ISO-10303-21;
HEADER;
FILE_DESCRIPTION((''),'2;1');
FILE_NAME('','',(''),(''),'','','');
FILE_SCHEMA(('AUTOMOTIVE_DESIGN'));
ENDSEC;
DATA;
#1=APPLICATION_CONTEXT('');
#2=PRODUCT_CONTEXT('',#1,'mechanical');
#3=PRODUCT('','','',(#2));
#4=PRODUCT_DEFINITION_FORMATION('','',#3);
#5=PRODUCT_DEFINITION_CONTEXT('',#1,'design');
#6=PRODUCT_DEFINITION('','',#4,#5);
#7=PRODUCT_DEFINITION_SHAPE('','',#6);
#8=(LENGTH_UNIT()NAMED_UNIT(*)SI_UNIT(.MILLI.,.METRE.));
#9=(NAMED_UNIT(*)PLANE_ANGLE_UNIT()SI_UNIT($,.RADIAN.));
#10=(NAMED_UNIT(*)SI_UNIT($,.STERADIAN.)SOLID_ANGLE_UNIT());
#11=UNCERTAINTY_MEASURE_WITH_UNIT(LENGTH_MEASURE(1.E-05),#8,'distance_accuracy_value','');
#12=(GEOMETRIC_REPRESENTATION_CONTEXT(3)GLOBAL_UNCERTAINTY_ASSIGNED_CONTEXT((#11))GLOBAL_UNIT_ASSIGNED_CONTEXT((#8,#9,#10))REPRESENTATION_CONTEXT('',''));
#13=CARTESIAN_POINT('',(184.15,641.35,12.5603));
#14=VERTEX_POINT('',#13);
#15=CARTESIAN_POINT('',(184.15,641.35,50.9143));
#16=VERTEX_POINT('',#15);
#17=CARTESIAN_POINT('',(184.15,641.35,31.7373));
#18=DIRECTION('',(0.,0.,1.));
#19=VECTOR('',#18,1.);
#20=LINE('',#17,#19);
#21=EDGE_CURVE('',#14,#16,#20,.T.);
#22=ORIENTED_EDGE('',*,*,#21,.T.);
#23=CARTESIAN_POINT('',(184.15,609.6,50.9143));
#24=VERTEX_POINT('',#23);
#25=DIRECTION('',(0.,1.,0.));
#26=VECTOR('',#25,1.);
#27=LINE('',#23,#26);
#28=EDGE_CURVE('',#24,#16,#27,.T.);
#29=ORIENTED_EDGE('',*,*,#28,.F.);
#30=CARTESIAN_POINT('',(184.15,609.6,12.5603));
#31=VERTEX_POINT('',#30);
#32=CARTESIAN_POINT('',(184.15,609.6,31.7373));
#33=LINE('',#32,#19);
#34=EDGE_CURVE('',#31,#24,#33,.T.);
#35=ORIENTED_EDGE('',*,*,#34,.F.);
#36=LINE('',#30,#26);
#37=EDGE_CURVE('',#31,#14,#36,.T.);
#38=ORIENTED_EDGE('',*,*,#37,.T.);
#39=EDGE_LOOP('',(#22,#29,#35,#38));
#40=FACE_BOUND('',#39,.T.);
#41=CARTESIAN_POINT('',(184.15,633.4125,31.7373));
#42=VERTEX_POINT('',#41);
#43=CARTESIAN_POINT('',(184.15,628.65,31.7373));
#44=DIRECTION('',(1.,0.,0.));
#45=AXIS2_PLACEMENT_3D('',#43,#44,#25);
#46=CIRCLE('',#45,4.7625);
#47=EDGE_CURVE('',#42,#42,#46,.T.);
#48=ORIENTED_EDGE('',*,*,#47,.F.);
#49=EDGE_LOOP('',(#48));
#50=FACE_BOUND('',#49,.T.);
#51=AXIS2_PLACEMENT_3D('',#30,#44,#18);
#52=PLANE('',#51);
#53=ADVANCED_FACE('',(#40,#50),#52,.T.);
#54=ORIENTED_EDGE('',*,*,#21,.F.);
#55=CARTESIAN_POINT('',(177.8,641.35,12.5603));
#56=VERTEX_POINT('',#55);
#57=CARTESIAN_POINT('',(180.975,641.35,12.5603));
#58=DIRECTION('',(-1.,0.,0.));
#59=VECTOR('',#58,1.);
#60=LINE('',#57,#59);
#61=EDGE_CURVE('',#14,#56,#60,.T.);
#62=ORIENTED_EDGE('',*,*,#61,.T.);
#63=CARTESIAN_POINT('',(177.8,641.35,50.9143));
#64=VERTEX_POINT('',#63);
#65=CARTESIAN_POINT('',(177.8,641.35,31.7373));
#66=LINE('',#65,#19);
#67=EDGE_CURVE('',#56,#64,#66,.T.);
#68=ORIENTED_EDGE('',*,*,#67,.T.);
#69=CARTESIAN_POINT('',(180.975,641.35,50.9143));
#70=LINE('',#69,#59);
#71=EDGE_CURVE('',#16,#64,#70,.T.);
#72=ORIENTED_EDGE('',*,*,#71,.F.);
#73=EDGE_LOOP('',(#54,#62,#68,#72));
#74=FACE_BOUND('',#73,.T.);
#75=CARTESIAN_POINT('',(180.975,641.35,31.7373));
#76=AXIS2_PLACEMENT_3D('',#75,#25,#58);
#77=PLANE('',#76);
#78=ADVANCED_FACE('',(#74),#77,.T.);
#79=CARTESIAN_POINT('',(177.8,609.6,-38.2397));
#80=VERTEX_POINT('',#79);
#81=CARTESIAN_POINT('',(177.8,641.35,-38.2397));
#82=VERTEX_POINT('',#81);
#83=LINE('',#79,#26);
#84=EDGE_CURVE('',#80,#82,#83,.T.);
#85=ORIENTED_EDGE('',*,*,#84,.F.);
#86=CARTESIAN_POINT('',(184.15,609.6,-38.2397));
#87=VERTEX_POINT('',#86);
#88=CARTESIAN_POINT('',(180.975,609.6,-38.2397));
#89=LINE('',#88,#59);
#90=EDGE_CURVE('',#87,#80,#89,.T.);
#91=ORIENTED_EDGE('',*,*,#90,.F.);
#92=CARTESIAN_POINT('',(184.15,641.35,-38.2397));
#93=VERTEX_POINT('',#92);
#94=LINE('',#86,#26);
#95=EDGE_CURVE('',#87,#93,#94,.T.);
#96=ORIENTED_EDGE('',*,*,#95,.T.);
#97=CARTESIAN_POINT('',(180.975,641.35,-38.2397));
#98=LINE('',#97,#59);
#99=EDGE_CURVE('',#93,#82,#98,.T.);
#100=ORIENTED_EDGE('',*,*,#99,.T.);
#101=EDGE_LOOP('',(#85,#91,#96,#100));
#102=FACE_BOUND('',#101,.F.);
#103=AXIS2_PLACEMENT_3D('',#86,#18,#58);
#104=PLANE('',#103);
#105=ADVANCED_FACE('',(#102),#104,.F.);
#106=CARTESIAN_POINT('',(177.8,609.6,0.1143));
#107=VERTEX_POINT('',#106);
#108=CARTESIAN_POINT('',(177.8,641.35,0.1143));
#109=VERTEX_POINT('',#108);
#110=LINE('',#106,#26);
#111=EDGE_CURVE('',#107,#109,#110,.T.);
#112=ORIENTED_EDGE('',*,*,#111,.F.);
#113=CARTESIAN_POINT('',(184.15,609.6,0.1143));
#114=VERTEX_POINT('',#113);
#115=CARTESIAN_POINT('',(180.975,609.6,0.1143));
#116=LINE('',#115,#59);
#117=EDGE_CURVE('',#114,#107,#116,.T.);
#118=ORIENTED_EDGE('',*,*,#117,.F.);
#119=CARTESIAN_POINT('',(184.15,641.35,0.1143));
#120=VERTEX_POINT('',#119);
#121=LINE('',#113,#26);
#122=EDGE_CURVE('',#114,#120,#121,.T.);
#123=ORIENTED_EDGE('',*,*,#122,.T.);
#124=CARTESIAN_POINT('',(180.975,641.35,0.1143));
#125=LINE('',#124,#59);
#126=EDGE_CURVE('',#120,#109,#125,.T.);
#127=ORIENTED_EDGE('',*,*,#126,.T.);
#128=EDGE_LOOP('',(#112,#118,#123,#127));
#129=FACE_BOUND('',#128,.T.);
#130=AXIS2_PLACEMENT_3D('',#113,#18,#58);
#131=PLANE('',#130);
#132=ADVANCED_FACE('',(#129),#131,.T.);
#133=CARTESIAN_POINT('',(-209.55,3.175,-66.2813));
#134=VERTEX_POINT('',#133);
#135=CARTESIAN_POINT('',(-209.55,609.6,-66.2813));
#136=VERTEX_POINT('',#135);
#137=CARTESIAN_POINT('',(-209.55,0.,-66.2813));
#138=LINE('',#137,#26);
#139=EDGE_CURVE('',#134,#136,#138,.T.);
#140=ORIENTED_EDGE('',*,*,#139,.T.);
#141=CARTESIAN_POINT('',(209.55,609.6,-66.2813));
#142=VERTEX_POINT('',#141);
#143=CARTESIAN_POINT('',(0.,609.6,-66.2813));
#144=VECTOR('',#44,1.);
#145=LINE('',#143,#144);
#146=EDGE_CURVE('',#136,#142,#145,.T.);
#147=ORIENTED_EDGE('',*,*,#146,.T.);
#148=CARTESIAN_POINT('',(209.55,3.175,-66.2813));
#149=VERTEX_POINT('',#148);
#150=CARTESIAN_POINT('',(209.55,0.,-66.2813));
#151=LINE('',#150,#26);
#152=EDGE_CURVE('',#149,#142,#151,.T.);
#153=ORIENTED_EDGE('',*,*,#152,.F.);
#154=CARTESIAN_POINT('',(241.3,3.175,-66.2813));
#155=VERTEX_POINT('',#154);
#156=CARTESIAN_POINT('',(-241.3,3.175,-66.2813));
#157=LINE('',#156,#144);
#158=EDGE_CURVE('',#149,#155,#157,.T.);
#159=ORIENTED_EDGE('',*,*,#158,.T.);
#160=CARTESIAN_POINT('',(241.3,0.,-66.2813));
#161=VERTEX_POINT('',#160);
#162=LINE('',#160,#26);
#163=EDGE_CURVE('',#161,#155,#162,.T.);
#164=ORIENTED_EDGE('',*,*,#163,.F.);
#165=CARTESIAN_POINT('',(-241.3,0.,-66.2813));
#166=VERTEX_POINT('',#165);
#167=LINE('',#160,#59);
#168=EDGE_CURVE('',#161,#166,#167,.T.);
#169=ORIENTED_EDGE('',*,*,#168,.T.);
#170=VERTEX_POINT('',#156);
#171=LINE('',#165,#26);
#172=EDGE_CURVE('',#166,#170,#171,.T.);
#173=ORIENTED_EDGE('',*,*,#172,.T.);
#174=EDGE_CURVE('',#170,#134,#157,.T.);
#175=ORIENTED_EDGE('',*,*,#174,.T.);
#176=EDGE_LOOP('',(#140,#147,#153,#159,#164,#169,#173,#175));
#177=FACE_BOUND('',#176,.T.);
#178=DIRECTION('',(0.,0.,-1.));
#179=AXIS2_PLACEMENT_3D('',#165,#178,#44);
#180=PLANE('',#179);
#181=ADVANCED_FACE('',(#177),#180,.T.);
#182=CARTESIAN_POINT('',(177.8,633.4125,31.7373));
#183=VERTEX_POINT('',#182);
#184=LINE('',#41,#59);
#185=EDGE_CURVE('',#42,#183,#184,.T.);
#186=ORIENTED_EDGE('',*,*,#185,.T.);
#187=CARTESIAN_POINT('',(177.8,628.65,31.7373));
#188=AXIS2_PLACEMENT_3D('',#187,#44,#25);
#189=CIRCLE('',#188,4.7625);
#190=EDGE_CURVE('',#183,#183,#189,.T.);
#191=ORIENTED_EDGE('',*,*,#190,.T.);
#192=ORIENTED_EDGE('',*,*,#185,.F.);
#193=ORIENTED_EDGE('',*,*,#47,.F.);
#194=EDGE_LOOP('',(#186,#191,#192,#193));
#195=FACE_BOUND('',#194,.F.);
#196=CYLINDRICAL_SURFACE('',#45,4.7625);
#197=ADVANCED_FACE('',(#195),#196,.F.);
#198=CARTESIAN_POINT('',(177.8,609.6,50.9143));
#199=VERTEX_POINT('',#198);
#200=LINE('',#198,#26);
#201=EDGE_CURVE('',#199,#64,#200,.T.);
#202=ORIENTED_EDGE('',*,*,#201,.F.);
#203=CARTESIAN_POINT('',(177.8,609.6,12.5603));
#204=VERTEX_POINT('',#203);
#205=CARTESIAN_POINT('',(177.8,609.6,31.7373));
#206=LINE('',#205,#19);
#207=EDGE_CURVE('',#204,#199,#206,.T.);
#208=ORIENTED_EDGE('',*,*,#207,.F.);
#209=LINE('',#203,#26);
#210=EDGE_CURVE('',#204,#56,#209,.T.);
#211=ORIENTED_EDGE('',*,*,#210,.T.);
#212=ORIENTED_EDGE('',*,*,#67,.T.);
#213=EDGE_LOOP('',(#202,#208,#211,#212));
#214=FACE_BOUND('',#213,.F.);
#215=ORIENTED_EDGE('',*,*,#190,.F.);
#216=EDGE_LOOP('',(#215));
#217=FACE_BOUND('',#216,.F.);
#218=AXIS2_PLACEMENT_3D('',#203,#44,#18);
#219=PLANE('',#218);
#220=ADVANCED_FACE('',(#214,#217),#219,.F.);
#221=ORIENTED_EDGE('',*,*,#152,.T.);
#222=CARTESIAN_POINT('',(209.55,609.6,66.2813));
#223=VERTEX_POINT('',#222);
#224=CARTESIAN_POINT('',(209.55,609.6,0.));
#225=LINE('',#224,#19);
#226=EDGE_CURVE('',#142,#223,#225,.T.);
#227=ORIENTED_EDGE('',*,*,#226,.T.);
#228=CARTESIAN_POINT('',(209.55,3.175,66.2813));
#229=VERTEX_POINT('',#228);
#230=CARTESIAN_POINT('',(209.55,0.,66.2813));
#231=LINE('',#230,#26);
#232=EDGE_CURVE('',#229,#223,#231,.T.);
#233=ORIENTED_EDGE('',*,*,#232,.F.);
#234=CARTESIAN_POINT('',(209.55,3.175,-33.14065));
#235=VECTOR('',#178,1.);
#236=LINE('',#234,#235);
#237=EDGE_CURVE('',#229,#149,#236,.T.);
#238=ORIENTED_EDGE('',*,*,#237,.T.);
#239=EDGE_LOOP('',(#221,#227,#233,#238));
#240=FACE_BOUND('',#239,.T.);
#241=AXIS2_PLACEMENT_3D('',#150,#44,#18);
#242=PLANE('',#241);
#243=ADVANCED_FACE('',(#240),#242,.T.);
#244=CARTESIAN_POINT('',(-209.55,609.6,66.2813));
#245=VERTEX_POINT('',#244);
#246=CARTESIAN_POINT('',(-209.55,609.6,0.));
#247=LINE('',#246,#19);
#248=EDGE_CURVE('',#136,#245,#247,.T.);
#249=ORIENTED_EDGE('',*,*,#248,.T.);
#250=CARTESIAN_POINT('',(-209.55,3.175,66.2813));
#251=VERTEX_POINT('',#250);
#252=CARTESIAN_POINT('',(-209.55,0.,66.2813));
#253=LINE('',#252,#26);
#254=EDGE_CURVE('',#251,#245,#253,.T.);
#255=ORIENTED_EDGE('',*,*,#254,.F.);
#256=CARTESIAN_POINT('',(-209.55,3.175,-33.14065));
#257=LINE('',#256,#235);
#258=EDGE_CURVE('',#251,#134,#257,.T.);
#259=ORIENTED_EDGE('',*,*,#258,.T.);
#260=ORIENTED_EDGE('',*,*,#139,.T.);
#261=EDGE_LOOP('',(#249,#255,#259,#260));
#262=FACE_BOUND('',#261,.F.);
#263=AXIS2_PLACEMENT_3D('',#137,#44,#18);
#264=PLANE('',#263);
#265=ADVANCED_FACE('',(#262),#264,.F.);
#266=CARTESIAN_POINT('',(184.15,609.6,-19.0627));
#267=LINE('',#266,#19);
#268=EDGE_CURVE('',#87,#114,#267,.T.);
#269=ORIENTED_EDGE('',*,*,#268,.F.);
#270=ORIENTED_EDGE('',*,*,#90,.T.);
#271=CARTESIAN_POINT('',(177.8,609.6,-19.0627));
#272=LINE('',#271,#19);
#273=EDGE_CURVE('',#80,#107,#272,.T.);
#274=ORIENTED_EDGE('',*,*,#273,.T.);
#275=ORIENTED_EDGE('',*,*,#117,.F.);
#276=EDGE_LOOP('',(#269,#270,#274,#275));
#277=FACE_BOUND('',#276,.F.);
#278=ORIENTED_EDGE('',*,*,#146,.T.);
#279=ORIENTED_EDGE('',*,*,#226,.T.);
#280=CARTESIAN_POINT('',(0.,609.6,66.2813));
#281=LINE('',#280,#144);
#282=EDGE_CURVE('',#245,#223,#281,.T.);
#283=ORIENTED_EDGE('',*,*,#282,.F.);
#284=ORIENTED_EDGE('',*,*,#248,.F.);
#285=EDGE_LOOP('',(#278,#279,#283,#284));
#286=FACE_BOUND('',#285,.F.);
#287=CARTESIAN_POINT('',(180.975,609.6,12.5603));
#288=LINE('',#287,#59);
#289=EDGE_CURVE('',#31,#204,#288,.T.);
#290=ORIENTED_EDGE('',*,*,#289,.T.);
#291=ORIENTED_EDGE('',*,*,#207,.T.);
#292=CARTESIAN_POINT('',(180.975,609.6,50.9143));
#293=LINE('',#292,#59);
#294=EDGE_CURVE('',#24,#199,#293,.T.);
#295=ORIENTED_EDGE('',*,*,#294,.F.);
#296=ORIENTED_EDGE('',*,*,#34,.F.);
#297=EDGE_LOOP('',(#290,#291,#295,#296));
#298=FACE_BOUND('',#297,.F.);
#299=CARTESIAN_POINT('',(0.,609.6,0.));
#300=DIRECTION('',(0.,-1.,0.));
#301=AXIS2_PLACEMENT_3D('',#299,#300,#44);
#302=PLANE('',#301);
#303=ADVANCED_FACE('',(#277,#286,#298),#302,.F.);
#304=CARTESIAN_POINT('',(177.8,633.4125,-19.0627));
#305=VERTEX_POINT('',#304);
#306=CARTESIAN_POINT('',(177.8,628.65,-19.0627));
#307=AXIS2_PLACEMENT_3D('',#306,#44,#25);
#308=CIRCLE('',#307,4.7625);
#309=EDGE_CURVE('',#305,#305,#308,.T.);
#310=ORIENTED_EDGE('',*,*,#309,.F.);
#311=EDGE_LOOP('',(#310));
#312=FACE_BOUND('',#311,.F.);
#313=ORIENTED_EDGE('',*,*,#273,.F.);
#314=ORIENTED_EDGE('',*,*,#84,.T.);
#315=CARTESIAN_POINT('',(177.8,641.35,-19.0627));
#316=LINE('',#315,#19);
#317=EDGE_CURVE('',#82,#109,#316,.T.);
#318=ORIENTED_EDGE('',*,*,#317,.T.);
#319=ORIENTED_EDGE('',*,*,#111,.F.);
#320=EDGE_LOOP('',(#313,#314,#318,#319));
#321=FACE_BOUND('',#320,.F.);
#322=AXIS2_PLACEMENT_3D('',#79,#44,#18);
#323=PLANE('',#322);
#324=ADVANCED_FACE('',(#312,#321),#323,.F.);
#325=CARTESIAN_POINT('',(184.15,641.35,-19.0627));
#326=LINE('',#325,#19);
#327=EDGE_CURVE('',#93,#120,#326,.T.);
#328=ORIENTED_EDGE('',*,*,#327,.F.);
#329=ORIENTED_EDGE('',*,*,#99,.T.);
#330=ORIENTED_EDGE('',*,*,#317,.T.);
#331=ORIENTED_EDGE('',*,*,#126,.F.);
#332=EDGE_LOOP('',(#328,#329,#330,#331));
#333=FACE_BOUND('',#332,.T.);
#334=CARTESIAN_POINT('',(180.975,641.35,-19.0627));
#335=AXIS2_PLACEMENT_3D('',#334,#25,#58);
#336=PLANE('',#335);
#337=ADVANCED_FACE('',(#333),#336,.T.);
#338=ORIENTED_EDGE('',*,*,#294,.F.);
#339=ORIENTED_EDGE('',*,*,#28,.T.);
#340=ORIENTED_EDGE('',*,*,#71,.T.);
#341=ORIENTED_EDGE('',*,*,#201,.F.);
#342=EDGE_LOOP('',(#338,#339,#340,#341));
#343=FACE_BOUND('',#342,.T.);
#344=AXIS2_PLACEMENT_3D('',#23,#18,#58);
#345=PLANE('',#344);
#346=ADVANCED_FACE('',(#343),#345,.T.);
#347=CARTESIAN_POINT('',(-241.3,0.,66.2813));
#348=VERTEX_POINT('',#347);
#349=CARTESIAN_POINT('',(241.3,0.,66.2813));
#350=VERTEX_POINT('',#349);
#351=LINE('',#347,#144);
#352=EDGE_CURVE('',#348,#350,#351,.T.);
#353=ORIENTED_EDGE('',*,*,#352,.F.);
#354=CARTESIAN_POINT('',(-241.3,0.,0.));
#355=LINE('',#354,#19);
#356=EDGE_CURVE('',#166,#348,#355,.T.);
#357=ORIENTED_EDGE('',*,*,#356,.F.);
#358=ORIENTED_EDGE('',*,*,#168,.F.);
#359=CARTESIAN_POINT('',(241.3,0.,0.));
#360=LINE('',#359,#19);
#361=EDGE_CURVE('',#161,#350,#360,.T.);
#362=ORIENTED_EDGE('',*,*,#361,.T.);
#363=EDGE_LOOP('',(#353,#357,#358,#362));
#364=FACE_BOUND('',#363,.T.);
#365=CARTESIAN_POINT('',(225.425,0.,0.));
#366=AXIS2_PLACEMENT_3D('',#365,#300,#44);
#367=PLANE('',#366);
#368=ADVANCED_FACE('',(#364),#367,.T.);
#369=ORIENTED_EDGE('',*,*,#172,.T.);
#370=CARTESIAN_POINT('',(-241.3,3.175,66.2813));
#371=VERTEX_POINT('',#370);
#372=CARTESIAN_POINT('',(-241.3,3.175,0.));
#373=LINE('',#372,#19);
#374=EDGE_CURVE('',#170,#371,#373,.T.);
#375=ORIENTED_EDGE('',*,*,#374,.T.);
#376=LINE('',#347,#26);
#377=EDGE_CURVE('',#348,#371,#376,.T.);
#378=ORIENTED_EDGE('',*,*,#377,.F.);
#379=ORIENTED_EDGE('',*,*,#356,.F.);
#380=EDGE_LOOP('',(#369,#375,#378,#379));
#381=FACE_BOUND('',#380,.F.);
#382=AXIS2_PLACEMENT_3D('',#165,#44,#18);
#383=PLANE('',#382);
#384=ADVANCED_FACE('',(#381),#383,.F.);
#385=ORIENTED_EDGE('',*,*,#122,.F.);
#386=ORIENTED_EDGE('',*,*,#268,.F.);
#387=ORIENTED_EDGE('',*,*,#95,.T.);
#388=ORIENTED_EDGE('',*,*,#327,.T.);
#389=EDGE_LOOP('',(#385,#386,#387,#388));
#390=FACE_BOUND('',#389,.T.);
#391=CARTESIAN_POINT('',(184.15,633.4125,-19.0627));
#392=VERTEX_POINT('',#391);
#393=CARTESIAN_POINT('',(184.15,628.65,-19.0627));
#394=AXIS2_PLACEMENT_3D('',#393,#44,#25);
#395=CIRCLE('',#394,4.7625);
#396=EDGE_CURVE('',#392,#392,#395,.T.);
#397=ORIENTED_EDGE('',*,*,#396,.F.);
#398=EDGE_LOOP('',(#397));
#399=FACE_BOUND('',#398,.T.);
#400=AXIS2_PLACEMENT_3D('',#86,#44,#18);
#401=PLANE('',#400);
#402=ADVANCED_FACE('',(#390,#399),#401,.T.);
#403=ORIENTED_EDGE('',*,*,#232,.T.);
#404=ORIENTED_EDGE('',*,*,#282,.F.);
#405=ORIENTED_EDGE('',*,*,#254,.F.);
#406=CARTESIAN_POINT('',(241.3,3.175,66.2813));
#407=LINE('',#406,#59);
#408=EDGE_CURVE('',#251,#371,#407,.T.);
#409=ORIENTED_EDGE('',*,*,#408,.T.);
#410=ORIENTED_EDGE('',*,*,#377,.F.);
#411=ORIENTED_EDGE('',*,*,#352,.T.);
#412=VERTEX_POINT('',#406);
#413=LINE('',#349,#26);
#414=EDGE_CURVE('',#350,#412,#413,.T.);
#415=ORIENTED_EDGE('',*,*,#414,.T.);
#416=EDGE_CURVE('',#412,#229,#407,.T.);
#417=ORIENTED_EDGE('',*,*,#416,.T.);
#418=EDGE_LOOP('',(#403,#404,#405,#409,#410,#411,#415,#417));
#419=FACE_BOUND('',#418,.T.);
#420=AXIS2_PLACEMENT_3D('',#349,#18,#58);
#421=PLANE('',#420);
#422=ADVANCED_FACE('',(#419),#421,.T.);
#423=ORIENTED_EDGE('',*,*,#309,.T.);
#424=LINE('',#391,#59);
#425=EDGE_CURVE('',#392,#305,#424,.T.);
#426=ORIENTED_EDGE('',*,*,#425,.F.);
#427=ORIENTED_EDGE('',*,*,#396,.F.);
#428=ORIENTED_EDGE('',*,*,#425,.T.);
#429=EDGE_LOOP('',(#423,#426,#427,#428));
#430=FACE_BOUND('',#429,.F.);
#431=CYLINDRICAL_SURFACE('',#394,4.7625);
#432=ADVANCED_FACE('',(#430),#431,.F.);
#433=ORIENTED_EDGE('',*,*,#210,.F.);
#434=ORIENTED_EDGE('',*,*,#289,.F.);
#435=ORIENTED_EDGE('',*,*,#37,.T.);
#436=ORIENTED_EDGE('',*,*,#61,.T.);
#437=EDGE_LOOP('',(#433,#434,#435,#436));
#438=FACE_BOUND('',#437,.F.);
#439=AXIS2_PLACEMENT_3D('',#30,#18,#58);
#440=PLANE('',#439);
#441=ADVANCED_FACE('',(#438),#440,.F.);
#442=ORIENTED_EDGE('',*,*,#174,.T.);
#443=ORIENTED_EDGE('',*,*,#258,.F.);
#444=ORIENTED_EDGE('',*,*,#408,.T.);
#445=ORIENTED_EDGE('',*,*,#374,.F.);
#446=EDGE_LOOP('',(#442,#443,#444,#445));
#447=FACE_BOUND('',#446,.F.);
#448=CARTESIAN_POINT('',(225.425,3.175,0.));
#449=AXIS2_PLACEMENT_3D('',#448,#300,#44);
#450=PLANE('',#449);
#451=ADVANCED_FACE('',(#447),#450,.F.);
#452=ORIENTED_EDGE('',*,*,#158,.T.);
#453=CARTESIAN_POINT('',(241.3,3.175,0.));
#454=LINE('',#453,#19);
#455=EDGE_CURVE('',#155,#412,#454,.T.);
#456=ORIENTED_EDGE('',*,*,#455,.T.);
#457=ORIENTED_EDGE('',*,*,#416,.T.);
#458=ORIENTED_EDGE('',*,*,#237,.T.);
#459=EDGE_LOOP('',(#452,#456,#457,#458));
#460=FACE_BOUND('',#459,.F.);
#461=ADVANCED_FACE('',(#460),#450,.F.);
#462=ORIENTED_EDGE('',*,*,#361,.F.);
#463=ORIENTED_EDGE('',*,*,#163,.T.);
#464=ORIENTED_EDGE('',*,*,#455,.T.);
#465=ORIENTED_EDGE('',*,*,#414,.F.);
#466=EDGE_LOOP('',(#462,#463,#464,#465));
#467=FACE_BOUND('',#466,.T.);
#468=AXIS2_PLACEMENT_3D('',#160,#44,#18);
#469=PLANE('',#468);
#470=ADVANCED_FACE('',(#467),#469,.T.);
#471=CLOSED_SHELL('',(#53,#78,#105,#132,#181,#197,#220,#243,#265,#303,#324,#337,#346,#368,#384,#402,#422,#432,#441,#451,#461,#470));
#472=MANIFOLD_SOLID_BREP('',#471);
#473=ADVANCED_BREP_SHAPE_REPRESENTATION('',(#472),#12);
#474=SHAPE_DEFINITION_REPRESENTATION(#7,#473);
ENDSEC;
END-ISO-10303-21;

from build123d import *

# Parameters (mm, degrees)
F0_W     = 419.1
F0_H     = 132.5626
F1_DEPTH = 609.6
F0_W_2   = 31.75
F2_DEPTH = 3.175
F3_W     = 6.35
F3_H     = 38.354
F4_DEPTH = 31.75
F5_R     = 4.7625
F6_DEPTH = 425.451


with BuildPart() as f1:
    # F0 (on Front) → F1 (new body)
    with BuildSketch(Plane.XZ):
        Rectangle(F0_W, F0_H)
    extrude(amount=-F1_DEPTH)

    # F0 (on Front) → F2 (join)
    with BuildSketch(Plane.XZ):
        with Locations((225.425, 0)):
            Rectangle(F0_W_2, F0_H)
        Rectangle(F0_W, F0_H)
        with Locations((-225.425, 0)):
            Rectangle(F0_W_2, F0_H)
    extrude(amount=-F2_DEPTH)

    # F3 (on face) → F4 (join)
    with BuildSketch(Plane(origin=(0, 609.6, 0), x_dir=(-1, 0, 0), z_dir=(0, 1, 0))):
        with Locations((-180.975, 31.7373)):
            Rectangle(F3_W, F3_H)
        with Locations((-180.975, -19.0627)):
            Rectangle(F3_W, F3_H)
    extrude(amount=F4_DEPTH)

    # F5 (on face) → F6 (cut, through all)
    with BuildSketch(Plane.YZ.offset(184.15)):
        with Locations((628.65, 31.7373)):
            Circle(F5_R)
        with Locations((628.65, -19.0627)):
            Circle(F5_R)
    extrude(amount=-F6_DEPTH, mode=Mode.SUBTRACT)


solid = f1.part
